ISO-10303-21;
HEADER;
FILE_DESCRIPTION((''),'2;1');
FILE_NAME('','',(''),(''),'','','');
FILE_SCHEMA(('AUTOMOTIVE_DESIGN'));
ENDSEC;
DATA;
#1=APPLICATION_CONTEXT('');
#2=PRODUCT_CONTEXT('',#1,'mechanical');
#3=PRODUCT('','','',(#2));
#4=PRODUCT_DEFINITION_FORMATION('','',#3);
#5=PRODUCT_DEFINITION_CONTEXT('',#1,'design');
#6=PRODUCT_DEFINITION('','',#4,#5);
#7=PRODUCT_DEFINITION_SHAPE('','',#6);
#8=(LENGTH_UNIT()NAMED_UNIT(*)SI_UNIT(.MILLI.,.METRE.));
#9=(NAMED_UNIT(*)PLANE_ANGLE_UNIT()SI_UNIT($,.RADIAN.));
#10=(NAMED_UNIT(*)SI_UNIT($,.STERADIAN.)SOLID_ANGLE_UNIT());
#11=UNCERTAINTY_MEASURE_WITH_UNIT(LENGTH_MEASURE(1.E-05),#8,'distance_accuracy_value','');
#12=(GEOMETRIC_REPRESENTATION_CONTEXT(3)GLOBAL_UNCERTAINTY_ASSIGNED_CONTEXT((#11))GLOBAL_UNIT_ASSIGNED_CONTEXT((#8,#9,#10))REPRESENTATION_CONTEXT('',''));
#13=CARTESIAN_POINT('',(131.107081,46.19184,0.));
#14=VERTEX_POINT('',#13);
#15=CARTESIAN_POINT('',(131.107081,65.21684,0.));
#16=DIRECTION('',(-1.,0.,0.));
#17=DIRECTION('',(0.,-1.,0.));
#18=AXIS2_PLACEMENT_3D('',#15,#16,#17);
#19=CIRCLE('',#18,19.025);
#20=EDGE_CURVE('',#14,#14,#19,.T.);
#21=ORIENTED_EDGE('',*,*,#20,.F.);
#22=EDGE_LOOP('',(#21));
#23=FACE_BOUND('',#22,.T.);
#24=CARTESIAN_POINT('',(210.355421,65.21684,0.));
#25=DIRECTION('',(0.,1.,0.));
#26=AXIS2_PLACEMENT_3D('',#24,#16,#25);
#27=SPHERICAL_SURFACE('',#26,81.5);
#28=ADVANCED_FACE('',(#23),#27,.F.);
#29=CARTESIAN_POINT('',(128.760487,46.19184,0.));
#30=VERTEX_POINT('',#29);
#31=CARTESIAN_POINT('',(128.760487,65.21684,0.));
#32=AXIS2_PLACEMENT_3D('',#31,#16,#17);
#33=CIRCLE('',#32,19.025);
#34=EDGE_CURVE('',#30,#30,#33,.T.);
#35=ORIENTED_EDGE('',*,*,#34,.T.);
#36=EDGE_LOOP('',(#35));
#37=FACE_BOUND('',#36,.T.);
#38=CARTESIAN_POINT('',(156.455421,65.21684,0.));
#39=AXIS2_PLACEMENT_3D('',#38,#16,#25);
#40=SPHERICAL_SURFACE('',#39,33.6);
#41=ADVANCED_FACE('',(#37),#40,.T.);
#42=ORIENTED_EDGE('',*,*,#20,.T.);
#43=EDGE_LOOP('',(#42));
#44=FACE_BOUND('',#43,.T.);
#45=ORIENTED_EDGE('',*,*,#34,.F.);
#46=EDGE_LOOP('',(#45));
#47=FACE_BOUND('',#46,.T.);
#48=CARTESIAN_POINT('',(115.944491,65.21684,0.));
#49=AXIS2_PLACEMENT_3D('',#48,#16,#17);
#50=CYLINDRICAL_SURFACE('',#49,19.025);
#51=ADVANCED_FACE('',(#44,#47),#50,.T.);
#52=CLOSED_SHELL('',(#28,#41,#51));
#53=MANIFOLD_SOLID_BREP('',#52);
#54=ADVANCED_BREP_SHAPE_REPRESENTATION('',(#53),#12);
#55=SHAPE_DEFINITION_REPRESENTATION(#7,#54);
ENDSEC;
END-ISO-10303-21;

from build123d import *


with BuildPart() as part:
    # 草图1 → 旋转1 (revolve)
    with BuildSketch(Plane.XY):
        with BuildLine():
            Line((128.760487212, 84.241840471), (131.107081428, 84.241840471))
            ThreePointArc((131.107081428, 84.241840471), (129.420293896, 74.795731303), (128.855421316, 65.216840471))
            Line((128.855421316, 65.216840471), (122.855421316, 65.216840471))
            ThreePointArc((122.855421316, 65.216840471), (124.365627098, 75.177016527), (128.760487212, 84.241840471))
        make_face()
    revolve(axis=Axis((115.944491298, 65.216840471, 0), (1, 0, 0)))


solid = part.part
